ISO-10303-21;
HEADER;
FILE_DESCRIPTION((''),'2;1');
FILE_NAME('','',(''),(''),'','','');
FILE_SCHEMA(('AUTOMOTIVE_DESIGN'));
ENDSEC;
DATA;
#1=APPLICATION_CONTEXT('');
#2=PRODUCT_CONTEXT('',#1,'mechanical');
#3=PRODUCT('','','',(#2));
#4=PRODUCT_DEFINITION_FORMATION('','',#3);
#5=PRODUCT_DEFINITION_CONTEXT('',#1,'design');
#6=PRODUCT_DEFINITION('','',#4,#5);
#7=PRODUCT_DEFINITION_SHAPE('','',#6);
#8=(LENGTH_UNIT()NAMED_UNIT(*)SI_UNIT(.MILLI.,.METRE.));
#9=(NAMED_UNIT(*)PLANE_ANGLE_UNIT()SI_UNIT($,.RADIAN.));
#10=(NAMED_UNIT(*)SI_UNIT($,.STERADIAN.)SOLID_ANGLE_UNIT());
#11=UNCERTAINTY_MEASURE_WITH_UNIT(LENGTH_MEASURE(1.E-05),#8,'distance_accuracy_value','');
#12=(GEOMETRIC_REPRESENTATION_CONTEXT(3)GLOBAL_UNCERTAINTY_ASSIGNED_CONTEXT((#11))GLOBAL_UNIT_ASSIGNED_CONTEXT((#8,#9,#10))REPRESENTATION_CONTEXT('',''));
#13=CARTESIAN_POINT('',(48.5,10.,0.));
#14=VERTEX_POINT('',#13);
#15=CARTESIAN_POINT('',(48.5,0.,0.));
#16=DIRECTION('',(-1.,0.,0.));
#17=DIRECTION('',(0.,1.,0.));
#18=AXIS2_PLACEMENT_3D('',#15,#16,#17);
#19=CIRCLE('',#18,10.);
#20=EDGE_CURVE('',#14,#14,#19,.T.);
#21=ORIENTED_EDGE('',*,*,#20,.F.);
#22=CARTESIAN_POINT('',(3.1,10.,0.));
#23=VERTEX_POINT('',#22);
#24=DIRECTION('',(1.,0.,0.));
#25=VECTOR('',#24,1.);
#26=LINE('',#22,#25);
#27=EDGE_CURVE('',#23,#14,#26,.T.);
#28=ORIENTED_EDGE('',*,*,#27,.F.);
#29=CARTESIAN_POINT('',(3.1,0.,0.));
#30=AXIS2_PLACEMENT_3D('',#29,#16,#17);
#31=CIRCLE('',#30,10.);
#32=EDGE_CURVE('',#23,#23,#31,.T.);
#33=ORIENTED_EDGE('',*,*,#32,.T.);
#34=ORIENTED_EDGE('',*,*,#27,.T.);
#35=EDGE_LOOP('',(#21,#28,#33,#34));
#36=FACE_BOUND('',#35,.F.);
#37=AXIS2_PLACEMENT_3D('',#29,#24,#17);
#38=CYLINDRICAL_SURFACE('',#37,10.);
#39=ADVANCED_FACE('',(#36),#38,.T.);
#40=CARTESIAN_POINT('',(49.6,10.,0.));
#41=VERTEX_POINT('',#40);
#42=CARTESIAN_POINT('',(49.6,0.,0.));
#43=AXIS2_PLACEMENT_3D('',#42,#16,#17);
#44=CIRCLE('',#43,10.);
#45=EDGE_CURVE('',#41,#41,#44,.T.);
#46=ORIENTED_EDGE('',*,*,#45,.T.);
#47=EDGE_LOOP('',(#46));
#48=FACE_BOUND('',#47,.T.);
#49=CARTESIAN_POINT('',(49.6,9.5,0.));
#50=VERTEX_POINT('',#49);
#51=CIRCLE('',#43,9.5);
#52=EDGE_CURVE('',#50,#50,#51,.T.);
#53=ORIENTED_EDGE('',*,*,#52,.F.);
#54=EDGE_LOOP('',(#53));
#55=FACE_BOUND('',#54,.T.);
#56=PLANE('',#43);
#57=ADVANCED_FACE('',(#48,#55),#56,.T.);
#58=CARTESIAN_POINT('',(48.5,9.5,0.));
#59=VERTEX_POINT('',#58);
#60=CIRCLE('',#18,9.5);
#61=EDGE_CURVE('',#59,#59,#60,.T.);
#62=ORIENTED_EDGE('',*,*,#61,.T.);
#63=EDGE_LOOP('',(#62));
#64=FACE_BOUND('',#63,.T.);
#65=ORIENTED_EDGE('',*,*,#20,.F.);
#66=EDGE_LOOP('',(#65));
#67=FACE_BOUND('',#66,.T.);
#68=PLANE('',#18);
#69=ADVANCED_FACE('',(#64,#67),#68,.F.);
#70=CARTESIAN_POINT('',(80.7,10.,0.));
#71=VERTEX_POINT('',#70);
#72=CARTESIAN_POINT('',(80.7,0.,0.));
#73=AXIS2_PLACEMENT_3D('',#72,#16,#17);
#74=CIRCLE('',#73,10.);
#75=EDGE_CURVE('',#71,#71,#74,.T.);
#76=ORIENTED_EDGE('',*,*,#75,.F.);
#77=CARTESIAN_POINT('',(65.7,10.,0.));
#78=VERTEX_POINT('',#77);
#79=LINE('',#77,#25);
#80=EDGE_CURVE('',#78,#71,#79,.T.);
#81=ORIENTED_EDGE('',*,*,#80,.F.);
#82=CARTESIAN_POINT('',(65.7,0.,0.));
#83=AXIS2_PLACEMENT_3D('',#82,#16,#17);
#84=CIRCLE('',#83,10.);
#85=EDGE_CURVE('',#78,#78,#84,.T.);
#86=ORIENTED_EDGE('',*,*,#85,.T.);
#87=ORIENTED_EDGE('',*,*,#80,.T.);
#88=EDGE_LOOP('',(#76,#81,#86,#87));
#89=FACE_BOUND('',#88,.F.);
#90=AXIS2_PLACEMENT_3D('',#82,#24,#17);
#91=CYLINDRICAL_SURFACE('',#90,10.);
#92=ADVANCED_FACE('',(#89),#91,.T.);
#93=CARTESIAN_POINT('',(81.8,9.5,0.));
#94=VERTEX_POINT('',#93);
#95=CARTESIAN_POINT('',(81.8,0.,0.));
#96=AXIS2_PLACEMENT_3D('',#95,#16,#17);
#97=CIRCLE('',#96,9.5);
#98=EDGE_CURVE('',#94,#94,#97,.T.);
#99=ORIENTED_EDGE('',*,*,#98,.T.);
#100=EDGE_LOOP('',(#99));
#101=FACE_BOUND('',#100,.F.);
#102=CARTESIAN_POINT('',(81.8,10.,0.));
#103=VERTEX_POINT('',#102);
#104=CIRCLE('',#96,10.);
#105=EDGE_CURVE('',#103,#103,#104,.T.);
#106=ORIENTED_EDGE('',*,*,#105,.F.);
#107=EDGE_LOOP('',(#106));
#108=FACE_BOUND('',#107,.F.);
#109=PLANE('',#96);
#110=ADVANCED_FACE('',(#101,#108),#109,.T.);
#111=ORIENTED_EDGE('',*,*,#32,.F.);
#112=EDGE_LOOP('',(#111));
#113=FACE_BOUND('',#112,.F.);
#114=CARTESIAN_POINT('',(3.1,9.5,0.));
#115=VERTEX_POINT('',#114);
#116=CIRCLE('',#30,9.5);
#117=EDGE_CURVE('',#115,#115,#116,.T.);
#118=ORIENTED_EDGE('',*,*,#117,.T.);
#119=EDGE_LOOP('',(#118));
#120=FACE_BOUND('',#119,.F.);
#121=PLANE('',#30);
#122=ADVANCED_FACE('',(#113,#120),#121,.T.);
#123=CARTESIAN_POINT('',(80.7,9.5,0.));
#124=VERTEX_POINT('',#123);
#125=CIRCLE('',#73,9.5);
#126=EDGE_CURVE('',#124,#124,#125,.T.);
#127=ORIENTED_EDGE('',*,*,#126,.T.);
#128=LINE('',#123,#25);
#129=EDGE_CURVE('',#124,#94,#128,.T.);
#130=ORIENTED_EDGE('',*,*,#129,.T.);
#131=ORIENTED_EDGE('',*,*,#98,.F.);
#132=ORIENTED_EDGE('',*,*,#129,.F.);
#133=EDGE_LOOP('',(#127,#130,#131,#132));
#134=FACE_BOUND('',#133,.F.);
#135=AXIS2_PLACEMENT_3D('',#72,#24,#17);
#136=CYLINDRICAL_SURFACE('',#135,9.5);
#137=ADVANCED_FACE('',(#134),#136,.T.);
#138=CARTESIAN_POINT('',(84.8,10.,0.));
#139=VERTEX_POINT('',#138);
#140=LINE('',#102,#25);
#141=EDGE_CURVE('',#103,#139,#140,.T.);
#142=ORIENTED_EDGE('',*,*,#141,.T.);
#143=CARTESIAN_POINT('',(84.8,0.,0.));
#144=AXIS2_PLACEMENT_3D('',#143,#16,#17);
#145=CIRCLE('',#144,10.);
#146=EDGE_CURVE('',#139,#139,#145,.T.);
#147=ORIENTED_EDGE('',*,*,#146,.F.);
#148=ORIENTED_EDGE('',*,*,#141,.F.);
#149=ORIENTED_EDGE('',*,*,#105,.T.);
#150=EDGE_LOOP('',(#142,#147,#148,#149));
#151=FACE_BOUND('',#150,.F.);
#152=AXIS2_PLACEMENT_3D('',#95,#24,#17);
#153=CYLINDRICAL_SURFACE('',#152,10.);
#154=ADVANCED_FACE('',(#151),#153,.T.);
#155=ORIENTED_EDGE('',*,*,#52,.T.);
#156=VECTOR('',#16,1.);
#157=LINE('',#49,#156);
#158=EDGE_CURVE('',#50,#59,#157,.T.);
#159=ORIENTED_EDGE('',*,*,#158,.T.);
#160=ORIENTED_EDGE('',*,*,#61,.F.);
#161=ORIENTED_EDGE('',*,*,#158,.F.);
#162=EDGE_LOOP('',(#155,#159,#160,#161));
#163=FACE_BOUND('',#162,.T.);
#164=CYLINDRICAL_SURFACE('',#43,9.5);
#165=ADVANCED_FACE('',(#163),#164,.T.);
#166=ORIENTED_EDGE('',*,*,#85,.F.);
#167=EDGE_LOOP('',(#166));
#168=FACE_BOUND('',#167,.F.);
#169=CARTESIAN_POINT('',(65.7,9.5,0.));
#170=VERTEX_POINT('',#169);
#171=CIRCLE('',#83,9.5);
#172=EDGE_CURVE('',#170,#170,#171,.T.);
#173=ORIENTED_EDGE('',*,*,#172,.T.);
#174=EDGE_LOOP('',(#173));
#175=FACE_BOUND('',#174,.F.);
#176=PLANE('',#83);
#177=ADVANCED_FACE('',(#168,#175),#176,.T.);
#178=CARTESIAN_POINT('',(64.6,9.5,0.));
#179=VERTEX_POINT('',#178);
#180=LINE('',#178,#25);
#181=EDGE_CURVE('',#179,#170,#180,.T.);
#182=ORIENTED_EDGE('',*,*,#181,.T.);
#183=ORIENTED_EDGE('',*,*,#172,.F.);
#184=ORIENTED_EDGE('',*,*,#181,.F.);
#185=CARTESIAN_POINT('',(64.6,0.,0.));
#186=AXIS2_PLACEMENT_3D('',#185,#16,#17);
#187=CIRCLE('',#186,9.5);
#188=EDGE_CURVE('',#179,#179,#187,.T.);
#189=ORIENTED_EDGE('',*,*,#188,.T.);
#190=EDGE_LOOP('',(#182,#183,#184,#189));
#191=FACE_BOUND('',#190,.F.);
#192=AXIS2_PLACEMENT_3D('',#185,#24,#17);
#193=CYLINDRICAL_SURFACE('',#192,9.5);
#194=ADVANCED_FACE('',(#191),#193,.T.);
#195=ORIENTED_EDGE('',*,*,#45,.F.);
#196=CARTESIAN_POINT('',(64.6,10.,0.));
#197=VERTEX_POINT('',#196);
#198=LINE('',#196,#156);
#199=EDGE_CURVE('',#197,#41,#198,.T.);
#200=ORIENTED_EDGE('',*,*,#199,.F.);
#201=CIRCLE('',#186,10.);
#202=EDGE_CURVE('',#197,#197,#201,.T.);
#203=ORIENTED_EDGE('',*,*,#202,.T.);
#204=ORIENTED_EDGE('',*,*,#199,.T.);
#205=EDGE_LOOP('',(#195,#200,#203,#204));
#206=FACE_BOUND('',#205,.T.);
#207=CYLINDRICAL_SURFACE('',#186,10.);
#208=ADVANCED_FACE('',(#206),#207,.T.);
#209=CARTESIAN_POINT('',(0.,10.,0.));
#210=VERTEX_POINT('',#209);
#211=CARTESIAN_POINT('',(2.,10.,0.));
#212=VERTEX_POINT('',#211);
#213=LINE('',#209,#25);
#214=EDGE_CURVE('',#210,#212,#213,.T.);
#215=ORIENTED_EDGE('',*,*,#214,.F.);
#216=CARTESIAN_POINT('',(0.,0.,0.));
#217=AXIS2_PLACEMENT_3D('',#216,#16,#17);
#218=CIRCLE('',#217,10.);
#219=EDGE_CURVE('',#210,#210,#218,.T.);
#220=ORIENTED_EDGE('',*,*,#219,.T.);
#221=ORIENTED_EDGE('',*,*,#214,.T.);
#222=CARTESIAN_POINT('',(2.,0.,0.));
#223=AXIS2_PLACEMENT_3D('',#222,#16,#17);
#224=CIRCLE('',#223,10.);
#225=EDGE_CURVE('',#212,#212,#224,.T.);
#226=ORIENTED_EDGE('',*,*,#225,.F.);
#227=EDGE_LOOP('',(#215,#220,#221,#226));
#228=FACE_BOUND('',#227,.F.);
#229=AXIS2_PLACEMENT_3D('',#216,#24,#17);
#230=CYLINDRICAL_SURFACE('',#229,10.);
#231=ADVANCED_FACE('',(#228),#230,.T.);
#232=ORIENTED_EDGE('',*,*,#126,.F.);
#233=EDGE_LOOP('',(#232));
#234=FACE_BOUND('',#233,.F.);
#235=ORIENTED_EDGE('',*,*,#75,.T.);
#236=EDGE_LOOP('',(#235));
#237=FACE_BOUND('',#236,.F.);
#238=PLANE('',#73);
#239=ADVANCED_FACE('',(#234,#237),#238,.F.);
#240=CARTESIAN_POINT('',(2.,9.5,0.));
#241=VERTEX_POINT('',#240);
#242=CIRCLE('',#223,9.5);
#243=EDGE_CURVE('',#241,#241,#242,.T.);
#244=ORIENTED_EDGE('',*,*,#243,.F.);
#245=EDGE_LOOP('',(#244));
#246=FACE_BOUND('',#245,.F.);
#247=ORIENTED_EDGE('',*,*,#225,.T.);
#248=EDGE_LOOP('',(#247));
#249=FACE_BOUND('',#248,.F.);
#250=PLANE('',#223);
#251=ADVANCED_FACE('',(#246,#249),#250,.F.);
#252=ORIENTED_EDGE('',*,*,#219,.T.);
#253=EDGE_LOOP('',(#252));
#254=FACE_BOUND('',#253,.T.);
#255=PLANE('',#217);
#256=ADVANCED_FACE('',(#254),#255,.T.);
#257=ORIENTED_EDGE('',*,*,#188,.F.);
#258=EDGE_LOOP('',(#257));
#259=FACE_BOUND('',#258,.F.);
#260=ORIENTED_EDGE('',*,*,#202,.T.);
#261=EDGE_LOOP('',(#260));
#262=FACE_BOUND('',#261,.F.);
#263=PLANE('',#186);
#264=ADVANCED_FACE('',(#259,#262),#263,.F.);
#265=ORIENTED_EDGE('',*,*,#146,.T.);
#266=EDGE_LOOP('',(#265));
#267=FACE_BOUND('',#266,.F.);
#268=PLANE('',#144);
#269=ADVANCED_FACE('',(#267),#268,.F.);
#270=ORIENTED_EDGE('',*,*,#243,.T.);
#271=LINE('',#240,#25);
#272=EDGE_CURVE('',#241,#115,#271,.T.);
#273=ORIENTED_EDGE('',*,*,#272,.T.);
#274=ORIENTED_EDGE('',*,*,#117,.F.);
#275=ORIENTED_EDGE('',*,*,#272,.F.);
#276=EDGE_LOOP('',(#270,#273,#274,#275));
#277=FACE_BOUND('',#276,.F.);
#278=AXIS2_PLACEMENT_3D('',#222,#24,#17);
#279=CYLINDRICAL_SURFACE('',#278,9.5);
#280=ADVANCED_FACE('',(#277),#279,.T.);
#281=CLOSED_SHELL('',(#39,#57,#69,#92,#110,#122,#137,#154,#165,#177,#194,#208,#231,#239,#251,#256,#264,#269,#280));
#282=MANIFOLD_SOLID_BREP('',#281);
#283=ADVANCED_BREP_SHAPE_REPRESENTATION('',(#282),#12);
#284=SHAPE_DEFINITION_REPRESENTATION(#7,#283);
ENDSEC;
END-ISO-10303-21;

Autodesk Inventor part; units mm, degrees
ref_plane "YZ Plane" through (0, 0, 0) normal (1, 0, 0) x (0, 1, 0)
ref_plane "XZ Plane" through (0, 0, 0) normal (0, 1, 0) x (-1, 0, 0)
ref_plane "XY Plane" through (0, 0, 0) normal (0, 0, 1) x (1, 0, 0)
sketch "Sketch1" plane through (0, 0, 0) normal (0, 0, 1) x (1, 0, 0)
  line L0 (64.6, 10) -> (64.6, 9.5)
  line L1 (64.6, 9.5) -> (65.7, 9.5)
  line L2 (65.7, 9.5) -> (65.7, 10)
  line L3 (65.7, 10) -> (80.7, 10)
  line L4 (80.7, 10) -> (80.7, 9.5)
  line L5 (80.7, 9.5) -> (81.8, 9.5)
  line L6 (81.8, 9.5) -> (81.8, 10)
  line L7 (81.8, 10) -> (84.8, 10)
  line L8 (84.8, 10) -> (84.8, 0)
  line L9 (84.8, 0) -> (0, 0)
  line L10 (0, 10) -> (0, 0)
  line L11 (64.6, 10) -> (49.6, 10)
  line L12 (49.6, 10) -> (49.6, 9.5)
  line L13 (49.6, 9.5) -> (48.5, 9.5)
  line L14 (48.5, 9.5) -> (48.5, 10)
  line L15 (0, 10) -> (2, 10)
  line L16 (2, 10) -> (2, 9.5)
  line L17 (2, 9.5) -> (3.1, 9.5)
  line L18 (3.1, 9.5) -> (3.1, 10)
  line L19 (3.1, 10) -> (48.5, 10)
  dimension "d3" = 1.1
  dimension "d5" = 1.1
  dimension "d6" = 10
  dimension "d12" = 3
  dimension "d20" = 0.5
  dimension "d21" = 0.5
  dimension "d22" = 0.5
  dimension "d23" = 15
  dimension "d32" = 64.6
  dimension "d33" = 15
  dimension "d34" = 1.1
  dimension "d35" = 0.5
  dimension "d36" = 1.1
  dimension "d37" = 0.5
  dimension "d38" = 2
revolve "Revolution1" add sketch "Sketch1" angle 360 about axis through (84.8, 0, 0) along (-1, 0, 0)
properties part number "Center Axle" material "Steel, Mild"
